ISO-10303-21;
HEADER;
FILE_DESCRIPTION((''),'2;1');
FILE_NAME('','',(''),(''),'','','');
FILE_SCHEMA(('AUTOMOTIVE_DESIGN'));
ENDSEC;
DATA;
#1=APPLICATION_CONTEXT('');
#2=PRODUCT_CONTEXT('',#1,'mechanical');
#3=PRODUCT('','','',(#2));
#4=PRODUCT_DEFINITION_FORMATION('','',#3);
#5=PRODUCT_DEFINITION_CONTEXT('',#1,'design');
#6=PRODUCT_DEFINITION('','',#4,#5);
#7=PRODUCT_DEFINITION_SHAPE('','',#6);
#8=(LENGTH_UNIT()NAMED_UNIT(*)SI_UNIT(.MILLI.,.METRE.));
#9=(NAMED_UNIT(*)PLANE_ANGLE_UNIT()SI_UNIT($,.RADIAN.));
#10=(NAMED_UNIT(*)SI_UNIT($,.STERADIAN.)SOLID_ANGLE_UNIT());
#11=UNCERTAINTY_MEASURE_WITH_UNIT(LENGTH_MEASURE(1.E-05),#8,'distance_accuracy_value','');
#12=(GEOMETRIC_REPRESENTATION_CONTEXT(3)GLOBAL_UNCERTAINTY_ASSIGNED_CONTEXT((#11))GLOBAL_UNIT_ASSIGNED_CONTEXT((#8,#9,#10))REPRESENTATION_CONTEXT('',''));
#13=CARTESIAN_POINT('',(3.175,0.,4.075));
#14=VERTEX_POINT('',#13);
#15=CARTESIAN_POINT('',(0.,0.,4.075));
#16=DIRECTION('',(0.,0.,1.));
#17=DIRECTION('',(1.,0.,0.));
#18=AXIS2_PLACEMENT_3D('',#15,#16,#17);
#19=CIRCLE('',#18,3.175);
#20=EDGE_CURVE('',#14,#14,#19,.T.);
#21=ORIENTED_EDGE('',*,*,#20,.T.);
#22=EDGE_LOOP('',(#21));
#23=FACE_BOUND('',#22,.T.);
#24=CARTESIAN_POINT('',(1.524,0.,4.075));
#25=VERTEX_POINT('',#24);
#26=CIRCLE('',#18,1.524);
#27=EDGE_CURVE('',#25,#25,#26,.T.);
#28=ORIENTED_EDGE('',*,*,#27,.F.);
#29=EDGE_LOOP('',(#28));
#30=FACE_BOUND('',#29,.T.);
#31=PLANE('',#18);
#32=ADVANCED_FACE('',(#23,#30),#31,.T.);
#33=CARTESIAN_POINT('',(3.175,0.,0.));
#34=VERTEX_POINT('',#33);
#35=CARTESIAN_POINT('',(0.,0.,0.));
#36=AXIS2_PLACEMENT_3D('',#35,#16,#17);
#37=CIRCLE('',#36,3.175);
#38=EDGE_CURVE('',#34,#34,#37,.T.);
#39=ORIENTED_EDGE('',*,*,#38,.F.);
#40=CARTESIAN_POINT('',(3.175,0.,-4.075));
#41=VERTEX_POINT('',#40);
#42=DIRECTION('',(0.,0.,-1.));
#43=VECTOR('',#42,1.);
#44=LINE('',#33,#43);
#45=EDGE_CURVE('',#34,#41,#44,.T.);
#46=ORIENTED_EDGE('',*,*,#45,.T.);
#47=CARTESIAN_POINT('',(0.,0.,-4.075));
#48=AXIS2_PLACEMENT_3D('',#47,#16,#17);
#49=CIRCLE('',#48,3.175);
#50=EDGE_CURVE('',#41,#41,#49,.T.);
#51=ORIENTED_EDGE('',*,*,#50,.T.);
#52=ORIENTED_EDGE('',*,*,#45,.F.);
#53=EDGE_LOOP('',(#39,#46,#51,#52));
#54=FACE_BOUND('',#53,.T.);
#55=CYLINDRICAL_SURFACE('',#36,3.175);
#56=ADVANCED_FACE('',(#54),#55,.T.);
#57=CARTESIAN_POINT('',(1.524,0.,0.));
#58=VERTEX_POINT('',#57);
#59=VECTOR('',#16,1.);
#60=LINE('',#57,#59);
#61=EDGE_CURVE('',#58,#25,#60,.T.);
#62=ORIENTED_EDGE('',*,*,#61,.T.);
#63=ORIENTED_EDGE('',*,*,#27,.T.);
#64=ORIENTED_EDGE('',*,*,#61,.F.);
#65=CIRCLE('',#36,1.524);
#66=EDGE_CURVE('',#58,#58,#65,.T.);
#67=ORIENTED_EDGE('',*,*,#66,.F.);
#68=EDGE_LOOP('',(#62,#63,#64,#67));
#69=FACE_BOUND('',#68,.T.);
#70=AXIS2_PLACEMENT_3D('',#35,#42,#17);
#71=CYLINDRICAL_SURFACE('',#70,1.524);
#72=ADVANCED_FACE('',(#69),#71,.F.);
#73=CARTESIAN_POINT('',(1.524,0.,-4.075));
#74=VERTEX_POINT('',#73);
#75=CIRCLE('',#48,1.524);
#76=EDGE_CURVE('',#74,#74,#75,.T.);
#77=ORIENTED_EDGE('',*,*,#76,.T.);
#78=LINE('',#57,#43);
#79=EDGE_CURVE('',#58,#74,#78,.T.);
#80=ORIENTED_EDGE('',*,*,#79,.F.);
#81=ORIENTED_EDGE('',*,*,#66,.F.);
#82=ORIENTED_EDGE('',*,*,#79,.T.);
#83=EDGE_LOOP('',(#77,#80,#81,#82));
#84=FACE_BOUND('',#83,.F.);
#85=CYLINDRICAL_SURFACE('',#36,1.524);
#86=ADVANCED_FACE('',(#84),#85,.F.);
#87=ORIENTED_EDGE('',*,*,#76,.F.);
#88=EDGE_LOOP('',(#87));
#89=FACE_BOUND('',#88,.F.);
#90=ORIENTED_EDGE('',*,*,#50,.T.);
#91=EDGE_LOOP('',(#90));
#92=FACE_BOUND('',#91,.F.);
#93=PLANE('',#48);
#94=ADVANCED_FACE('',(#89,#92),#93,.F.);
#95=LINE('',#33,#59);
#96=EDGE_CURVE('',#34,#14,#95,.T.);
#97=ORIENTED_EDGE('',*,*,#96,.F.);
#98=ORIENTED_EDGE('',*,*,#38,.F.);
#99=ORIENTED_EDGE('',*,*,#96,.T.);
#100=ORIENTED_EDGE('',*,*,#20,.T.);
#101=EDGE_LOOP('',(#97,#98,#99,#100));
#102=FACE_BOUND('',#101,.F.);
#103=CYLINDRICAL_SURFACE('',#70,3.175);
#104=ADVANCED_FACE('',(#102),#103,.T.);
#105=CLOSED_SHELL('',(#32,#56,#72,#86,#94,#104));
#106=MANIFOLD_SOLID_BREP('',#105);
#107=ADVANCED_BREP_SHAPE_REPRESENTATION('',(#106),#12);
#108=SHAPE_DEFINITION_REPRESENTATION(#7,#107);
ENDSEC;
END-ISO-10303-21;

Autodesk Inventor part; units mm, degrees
ref_plane "YZ Plane" through (0, 0, 0) normal (1, 0, 0) x (0, 1, 0)
ref_plane "XZ Plane" through (0, 0, 0) normal (0, 1, 0) x (-1, 0, 0)
ref_plane "XY Plane" through (0, 0, 0) normal (0, 0, 1) x (1, 0, 0)
sketch "Sketch1" plane through (0, 0, 0) normal (0, 0, 1) x (1, 0, 0)
  circle A0 centre (0, 0) radius 1.524
  circle A1 centre (0, 0) radius 3.175
  dimension "d0" = 6.35
  dimension "d1" = 3.048
extrude "Extrusion1" add sketch "Sketch1" along normal mid plane 8.15
properties part number "standoff815mm" material "Aluminum-6061"
